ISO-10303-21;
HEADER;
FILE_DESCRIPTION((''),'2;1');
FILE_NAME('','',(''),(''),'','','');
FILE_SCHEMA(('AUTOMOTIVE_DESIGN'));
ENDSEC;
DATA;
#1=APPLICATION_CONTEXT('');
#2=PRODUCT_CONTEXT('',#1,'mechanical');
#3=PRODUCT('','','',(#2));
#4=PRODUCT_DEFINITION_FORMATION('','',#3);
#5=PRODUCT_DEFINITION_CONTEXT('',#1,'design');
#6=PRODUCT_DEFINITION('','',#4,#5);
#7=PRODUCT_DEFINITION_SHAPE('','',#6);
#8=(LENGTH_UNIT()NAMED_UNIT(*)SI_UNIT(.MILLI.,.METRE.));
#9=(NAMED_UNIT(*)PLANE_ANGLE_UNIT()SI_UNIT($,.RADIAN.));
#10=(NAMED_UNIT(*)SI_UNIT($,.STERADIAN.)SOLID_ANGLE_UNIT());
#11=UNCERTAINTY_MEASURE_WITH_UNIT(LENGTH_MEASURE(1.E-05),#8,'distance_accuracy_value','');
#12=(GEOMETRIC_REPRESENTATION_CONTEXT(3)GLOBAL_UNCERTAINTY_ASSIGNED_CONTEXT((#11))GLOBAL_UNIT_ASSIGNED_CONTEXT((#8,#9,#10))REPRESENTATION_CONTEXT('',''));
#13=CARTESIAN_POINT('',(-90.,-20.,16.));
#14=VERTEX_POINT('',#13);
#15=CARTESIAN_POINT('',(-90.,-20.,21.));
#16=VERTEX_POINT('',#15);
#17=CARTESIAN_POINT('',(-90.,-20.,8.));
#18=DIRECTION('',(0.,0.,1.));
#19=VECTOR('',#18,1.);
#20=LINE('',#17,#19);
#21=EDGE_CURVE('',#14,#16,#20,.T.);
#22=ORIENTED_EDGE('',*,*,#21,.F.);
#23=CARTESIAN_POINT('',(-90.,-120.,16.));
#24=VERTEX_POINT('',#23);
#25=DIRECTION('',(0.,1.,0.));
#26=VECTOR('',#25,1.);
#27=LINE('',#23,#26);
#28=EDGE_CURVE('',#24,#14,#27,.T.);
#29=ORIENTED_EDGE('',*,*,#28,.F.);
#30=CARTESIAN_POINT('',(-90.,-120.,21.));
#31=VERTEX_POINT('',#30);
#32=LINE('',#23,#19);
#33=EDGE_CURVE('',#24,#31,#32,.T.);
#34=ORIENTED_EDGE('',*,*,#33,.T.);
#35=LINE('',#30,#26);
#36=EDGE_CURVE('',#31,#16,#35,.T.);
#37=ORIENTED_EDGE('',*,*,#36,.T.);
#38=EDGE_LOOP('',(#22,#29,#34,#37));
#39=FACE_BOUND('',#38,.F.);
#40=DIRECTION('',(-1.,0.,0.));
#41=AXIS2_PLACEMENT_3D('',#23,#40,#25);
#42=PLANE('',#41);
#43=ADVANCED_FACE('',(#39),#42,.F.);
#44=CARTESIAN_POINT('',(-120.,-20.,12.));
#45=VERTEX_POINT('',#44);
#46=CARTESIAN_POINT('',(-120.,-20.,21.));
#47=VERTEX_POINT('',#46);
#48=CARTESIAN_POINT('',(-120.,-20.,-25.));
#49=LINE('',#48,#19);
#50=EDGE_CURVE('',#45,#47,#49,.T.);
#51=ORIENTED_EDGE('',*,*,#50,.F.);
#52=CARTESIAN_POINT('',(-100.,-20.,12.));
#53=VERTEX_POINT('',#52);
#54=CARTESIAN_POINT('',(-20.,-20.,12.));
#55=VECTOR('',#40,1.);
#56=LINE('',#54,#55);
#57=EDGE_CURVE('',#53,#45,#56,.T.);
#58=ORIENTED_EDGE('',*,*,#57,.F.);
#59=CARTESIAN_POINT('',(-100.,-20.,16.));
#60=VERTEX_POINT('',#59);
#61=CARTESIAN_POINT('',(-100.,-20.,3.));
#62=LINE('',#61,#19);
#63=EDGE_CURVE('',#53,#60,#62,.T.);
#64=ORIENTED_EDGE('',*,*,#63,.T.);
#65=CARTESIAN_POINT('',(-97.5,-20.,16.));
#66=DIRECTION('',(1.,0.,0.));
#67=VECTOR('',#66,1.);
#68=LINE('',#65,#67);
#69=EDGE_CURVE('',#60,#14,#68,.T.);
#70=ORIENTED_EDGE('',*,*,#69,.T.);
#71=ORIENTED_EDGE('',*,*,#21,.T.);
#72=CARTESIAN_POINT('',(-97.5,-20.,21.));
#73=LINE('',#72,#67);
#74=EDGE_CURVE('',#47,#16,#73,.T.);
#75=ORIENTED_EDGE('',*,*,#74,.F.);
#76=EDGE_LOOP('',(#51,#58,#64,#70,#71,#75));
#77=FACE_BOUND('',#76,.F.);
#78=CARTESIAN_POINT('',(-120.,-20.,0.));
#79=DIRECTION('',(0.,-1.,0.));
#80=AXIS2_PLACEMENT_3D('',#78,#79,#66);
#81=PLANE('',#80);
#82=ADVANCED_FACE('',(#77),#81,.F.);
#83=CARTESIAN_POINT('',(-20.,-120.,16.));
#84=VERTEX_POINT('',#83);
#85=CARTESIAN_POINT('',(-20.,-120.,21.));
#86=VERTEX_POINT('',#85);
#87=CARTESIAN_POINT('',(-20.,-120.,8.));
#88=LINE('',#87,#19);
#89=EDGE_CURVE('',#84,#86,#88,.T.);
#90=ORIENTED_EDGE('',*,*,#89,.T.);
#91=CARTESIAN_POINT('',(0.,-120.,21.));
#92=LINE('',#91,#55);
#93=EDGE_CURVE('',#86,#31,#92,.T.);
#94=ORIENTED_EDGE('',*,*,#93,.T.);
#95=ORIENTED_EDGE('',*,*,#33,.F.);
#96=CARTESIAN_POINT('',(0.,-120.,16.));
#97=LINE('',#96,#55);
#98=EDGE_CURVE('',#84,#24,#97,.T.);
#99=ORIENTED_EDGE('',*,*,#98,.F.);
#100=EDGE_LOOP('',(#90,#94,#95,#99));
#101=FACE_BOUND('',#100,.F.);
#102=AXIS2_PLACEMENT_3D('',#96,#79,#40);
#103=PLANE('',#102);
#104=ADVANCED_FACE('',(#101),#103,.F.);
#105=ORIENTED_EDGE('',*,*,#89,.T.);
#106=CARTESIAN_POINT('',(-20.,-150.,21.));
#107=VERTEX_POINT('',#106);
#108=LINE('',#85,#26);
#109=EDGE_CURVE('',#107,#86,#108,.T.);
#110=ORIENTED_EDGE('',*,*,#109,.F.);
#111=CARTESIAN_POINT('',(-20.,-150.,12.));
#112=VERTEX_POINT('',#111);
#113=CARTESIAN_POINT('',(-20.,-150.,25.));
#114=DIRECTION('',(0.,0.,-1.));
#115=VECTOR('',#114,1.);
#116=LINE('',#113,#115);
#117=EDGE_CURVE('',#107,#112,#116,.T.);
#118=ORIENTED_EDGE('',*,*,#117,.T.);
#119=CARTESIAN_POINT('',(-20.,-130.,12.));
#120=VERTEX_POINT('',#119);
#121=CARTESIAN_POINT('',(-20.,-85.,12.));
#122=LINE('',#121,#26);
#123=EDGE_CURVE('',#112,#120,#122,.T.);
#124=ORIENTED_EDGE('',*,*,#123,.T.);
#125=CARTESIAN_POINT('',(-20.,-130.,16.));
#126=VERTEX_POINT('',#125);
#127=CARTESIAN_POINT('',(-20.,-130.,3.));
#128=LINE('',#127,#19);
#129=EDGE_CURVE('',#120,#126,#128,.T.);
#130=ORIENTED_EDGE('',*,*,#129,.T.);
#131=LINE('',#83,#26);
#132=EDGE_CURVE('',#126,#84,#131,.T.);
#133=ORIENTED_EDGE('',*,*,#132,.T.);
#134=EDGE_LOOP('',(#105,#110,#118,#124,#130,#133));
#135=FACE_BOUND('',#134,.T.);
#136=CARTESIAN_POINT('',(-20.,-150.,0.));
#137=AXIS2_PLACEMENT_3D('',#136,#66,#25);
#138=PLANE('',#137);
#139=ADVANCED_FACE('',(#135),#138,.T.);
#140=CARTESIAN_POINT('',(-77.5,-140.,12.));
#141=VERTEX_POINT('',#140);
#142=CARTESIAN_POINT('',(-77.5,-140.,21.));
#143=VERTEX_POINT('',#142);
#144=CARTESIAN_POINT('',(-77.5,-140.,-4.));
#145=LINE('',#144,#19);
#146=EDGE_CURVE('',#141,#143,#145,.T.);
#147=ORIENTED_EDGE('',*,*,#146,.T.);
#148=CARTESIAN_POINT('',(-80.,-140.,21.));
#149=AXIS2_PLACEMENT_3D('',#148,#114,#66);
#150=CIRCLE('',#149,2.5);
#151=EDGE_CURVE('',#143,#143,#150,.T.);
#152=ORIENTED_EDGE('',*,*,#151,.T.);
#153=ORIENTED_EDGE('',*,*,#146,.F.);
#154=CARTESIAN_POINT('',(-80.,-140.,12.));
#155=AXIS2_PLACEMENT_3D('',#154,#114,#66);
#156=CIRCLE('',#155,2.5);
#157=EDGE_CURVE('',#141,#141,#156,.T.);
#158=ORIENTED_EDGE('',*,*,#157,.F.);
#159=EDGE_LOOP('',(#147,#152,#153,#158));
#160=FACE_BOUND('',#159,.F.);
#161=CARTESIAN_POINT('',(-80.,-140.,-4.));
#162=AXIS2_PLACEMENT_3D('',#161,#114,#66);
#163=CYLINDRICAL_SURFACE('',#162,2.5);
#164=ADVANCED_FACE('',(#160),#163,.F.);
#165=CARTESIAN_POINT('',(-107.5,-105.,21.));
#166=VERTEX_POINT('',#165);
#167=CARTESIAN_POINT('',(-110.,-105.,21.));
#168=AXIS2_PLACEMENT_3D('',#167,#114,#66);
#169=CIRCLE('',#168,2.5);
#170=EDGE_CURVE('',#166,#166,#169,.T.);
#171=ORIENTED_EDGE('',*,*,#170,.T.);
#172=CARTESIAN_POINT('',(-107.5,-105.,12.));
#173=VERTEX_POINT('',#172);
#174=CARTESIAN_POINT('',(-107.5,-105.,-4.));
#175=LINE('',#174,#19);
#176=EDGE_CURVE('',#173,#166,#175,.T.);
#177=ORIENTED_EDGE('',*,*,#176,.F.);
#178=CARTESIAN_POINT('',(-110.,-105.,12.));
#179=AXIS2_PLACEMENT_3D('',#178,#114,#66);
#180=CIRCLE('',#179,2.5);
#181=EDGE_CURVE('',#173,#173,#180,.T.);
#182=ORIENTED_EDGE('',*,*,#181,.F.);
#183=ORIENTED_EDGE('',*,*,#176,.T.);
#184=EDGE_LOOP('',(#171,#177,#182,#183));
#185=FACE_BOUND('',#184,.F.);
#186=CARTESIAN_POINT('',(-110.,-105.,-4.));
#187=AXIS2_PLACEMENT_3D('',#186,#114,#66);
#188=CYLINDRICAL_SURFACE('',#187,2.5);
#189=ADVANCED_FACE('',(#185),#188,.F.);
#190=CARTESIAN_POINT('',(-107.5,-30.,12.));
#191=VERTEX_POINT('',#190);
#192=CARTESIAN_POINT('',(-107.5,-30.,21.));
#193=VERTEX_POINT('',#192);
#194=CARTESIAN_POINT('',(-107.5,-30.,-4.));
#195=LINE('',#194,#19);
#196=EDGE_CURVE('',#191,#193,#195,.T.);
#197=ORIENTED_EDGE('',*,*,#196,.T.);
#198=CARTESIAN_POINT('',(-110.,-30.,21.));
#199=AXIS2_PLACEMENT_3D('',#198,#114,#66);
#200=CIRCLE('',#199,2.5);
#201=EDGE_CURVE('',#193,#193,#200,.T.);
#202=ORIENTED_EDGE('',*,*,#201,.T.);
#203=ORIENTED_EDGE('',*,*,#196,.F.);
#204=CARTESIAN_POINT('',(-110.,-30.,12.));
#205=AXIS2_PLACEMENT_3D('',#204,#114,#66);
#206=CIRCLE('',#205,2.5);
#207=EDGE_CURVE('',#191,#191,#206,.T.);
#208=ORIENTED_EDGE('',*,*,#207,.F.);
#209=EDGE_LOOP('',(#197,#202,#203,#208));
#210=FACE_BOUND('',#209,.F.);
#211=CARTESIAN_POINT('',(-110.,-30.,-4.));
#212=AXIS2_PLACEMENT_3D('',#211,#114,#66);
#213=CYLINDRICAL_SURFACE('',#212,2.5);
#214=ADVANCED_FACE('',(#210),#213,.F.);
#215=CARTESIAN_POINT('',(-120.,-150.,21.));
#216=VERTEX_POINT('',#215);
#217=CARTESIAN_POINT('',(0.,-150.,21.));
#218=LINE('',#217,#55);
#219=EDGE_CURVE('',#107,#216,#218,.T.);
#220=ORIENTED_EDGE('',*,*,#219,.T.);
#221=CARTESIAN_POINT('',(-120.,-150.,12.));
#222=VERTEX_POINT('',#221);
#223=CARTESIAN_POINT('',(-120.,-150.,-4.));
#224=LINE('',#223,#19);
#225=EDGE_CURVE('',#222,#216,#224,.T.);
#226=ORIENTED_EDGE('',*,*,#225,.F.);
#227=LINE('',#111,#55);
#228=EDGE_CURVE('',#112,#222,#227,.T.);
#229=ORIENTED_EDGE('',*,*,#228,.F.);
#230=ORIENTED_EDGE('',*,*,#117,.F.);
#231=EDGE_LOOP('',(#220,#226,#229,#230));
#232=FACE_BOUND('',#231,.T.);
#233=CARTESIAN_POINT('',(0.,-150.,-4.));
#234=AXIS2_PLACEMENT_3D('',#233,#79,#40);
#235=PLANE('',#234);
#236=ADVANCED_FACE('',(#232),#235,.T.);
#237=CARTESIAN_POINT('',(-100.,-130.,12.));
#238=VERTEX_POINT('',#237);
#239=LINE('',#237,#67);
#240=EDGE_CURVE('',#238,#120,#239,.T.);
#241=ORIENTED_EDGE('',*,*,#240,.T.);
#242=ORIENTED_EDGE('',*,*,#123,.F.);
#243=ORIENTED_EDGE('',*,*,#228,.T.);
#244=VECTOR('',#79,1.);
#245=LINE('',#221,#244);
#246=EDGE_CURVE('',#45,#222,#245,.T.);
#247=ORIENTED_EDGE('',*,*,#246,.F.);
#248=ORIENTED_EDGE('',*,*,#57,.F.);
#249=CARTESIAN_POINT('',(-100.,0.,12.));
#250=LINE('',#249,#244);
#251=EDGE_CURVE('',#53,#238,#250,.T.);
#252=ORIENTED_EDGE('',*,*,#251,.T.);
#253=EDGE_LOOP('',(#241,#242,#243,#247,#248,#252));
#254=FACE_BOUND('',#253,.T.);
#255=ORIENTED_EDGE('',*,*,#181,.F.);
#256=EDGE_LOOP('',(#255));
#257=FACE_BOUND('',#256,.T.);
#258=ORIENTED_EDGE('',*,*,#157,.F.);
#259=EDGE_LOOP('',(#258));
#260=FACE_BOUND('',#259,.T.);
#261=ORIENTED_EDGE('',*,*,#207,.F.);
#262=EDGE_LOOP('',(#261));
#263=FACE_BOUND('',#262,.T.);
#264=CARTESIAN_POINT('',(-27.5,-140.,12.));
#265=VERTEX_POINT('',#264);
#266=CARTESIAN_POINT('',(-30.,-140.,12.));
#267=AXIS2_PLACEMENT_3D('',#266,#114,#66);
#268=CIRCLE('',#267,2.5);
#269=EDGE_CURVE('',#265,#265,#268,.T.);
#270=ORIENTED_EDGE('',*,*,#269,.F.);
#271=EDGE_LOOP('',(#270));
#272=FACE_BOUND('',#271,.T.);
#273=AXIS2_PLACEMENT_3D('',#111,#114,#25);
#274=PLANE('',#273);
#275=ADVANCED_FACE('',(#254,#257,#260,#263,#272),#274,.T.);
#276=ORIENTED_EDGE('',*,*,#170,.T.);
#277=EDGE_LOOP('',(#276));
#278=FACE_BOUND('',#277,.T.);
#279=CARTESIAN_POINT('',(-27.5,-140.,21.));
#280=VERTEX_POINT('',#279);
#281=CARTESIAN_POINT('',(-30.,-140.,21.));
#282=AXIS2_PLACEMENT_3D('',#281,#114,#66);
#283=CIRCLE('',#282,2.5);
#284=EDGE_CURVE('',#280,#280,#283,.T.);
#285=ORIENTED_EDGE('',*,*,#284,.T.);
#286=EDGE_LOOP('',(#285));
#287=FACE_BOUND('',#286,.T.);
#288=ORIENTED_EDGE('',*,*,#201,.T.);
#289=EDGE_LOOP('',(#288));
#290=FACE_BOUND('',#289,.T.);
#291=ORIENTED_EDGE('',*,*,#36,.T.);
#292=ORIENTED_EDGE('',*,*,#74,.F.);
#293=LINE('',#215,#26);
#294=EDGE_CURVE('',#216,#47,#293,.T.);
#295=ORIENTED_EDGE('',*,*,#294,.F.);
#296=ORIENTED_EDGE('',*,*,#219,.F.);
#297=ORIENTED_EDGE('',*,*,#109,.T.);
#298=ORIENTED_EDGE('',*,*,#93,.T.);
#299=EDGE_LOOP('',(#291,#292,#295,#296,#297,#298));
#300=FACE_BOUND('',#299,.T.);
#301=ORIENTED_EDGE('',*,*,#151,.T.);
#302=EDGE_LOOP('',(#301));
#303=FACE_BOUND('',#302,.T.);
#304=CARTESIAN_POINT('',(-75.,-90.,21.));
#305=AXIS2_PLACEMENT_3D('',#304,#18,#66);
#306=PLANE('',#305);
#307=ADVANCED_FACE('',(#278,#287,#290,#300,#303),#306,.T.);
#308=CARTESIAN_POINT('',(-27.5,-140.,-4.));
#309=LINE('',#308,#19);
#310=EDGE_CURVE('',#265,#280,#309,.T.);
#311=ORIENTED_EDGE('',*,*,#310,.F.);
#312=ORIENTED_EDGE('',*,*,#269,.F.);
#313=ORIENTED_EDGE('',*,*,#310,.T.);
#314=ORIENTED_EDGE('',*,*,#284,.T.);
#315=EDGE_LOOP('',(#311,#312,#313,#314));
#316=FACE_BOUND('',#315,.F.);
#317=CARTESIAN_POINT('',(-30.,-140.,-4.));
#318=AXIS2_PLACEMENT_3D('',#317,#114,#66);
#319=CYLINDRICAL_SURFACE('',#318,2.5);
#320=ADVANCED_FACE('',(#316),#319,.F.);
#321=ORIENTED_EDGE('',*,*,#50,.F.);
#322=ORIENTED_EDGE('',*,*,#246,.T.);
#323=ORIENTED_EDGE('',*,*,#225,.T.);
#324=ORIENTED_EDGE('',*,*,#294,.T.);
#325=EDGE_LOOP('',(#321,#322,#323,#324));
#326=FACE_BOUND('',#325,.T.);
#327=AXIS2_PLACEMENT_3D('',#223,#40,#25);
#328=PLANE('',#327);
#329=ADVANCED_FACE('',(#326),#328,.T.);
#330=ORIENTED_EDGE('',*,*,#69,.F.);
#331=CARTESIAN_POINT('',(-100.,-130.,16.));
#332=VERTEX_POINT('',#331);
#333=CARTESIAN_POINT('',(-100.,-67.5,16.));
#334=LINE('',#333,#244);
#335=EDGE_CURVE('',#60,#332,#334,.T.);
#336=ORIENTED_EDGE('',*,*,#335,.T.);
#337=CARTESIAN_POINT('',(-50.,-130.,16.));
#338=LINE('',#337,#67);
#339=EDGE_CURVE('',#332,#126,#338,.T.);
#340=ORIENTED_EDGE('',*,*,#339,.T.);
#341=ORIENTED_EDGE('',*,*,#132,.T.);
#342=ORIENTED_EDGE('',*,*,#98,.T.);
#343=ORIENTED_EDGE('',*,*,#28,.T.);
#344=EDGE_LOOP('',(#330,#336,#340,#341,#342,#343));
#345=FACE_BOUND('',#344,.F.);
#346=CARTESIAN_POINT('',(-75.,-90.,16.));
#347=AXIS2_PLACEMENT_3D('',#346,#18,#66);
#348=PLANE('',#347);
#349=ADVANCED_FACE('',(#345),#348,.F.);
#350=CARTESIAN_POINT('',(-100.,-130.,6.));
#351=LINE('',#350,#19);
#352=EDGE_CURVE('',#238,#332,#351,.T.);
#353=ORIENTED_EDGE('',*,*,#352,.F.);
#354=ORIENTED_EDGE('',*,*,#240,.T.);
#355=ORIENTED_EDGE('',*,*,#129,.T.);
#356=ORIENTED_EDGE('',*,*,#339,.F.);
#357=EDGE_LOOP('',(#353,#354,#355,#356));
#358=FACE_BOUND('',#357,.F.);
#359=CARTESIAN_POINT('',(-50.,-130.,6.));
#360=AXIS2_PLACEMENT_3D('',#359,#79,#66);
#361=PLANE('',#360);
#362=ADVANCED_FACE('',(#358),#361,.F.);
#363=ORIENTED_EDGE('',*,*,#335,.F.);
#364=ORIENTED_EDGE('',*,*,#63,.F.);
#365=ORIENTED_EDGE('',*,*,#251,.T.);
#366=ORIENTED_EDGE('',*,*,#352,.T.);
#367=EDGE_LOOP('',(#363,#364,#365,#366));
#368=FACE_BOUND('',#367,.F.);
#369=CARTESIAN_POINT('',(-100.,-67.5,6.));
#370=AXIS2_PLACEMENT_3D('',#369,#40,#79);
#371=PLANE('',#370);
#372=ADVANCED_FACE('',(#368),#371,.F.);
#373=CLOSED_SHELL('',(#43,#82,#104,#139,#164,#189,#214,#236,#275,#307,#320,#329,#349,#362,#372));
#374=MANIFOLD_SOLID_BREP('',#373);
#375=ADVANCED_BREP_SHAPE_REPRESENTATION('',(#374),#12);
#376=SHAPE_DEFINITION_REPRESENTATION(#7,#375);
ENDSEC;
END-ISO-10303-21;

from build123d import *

# Parameters (mm, degrees)
F1_DEPTH  = 12
F2_W      = 100
F2_H      = 20
F3_DEPTH  = 5
F4_W      = 135
F4_H      = 20
F5_DEPTH  = 5
F7_R      = 2.5
F8_DEPTH  = 25
F9_DEPTH  = 5
F10_W     = 20
F10_H     = 20
F10_W_2   = 100
F10_H_2   = 130
F11_DEPTH = 25
F12_W     = 130
F12_H     = 16
F13_DEPTH = 100.0010001


with BuildPart() as f1:
    # F0 (on Top) → F1 (new body)
    with BuildSketch(Plane.XY):
        with BuildLine():
            add(Edge.make_bspline(
                [(-86.5, 0), (-86.5, -116.5), (0, -116.5)],
                knots=[1.5707963268, 1.5707963268, 1.5707963268, 3.1415926536, 3.1415926536, 3.1415926536], degree=2, weights=[1, 0.7071067812, 1]))
            Line((-86.5, 0), (-86.5, -116.5))
            Line((-86.5, -116.5), (0, -116.5))
        make_face()
        Polygon((-86.5, -116.5), (-86.5, 0), (-100, 0), (-100, -130), (0, -130), (0, -116.5), align=None)
    extrude(amount=F1_DEPTH)

    # F2 (on face) → F3 (join)
    with BuildSketch(Plane.XZ.offset(130)):
        with Locations((-50, 6)):
            Rectangle(F2_W, F2_H)
    extrude(amount=F3_DEPTH)

    # F4 (on face) → F5 (join)
    with BuildSketch(Plane(origin=(-100, 0, 0), x_dir=(0, -1, 0), z_dir=(-1, 0, 0))):
        with Locations((67.5, 6)):
            Rectangle(F4_W, F4_H)
    extrude(amount=F5_DEPTH)

    # F7 (on face) → F8 (join)
    with BuildSketch(Plane(origin=(0, 0, -4), x_dir=(1, 0, 0), z_dir=(0, 0, -1))):
        Polygon((0, 135), (0, 150), (-120, 150), (-120, 0), (-105, 0), (-105, 135), align=None)
        with Locations((-110, 30)):
            Circle(F7_R, mode=Mode.SUBTRACT)
        with Locations((-110, 105)):
            Circle(F7_R, mode=Mode.SUBTRACT)
        with Locations((-80, 140)):
            Circle(F7_R, mode=Mode.SUBTRACT)
        with Locations((-30, 140)):
            Circle(F7_R, mode=Mode.SUBTRACT)
    extrude(amount=-F8_DEPTH)

    # F6 (on face) → F9 (join)
    with BuildSketch(Plane.XY.offset(16)):
        Polygon((-90, 0), (-105, 0), (-105, -135), (0, -135), (0, -120), (-90, -120), align=None)
    extrude(amount=F9_DEPTH)

    # F10 (on Top) → F11 (cut, symmetric)
    with BuildSketch(Plane.XY):
        with Locations((-10, -10)):
            Rectangle(F10_W, F10_H)
        with Locations((-70, -10)):
            Rectangle(F10_W_2, F10_H)
        with Locations((-10, -85)):
            Rectangle(F10_W, F10_H_2)
    extrude(amount=F11_DEPTH, both=True, mode=Mode.SUBTRACT)

    # F12 (on face) → F13 (cut, through all)
    with BuildSketch(Plane.YZ.offset(-20)):
        with Locations((-85, 4)):
            Rectangle(F12_W, F12_H)
    extrude(amount=-F13_DEPTH, mode=Mode.SUBTRACT)


solid = f1.part
